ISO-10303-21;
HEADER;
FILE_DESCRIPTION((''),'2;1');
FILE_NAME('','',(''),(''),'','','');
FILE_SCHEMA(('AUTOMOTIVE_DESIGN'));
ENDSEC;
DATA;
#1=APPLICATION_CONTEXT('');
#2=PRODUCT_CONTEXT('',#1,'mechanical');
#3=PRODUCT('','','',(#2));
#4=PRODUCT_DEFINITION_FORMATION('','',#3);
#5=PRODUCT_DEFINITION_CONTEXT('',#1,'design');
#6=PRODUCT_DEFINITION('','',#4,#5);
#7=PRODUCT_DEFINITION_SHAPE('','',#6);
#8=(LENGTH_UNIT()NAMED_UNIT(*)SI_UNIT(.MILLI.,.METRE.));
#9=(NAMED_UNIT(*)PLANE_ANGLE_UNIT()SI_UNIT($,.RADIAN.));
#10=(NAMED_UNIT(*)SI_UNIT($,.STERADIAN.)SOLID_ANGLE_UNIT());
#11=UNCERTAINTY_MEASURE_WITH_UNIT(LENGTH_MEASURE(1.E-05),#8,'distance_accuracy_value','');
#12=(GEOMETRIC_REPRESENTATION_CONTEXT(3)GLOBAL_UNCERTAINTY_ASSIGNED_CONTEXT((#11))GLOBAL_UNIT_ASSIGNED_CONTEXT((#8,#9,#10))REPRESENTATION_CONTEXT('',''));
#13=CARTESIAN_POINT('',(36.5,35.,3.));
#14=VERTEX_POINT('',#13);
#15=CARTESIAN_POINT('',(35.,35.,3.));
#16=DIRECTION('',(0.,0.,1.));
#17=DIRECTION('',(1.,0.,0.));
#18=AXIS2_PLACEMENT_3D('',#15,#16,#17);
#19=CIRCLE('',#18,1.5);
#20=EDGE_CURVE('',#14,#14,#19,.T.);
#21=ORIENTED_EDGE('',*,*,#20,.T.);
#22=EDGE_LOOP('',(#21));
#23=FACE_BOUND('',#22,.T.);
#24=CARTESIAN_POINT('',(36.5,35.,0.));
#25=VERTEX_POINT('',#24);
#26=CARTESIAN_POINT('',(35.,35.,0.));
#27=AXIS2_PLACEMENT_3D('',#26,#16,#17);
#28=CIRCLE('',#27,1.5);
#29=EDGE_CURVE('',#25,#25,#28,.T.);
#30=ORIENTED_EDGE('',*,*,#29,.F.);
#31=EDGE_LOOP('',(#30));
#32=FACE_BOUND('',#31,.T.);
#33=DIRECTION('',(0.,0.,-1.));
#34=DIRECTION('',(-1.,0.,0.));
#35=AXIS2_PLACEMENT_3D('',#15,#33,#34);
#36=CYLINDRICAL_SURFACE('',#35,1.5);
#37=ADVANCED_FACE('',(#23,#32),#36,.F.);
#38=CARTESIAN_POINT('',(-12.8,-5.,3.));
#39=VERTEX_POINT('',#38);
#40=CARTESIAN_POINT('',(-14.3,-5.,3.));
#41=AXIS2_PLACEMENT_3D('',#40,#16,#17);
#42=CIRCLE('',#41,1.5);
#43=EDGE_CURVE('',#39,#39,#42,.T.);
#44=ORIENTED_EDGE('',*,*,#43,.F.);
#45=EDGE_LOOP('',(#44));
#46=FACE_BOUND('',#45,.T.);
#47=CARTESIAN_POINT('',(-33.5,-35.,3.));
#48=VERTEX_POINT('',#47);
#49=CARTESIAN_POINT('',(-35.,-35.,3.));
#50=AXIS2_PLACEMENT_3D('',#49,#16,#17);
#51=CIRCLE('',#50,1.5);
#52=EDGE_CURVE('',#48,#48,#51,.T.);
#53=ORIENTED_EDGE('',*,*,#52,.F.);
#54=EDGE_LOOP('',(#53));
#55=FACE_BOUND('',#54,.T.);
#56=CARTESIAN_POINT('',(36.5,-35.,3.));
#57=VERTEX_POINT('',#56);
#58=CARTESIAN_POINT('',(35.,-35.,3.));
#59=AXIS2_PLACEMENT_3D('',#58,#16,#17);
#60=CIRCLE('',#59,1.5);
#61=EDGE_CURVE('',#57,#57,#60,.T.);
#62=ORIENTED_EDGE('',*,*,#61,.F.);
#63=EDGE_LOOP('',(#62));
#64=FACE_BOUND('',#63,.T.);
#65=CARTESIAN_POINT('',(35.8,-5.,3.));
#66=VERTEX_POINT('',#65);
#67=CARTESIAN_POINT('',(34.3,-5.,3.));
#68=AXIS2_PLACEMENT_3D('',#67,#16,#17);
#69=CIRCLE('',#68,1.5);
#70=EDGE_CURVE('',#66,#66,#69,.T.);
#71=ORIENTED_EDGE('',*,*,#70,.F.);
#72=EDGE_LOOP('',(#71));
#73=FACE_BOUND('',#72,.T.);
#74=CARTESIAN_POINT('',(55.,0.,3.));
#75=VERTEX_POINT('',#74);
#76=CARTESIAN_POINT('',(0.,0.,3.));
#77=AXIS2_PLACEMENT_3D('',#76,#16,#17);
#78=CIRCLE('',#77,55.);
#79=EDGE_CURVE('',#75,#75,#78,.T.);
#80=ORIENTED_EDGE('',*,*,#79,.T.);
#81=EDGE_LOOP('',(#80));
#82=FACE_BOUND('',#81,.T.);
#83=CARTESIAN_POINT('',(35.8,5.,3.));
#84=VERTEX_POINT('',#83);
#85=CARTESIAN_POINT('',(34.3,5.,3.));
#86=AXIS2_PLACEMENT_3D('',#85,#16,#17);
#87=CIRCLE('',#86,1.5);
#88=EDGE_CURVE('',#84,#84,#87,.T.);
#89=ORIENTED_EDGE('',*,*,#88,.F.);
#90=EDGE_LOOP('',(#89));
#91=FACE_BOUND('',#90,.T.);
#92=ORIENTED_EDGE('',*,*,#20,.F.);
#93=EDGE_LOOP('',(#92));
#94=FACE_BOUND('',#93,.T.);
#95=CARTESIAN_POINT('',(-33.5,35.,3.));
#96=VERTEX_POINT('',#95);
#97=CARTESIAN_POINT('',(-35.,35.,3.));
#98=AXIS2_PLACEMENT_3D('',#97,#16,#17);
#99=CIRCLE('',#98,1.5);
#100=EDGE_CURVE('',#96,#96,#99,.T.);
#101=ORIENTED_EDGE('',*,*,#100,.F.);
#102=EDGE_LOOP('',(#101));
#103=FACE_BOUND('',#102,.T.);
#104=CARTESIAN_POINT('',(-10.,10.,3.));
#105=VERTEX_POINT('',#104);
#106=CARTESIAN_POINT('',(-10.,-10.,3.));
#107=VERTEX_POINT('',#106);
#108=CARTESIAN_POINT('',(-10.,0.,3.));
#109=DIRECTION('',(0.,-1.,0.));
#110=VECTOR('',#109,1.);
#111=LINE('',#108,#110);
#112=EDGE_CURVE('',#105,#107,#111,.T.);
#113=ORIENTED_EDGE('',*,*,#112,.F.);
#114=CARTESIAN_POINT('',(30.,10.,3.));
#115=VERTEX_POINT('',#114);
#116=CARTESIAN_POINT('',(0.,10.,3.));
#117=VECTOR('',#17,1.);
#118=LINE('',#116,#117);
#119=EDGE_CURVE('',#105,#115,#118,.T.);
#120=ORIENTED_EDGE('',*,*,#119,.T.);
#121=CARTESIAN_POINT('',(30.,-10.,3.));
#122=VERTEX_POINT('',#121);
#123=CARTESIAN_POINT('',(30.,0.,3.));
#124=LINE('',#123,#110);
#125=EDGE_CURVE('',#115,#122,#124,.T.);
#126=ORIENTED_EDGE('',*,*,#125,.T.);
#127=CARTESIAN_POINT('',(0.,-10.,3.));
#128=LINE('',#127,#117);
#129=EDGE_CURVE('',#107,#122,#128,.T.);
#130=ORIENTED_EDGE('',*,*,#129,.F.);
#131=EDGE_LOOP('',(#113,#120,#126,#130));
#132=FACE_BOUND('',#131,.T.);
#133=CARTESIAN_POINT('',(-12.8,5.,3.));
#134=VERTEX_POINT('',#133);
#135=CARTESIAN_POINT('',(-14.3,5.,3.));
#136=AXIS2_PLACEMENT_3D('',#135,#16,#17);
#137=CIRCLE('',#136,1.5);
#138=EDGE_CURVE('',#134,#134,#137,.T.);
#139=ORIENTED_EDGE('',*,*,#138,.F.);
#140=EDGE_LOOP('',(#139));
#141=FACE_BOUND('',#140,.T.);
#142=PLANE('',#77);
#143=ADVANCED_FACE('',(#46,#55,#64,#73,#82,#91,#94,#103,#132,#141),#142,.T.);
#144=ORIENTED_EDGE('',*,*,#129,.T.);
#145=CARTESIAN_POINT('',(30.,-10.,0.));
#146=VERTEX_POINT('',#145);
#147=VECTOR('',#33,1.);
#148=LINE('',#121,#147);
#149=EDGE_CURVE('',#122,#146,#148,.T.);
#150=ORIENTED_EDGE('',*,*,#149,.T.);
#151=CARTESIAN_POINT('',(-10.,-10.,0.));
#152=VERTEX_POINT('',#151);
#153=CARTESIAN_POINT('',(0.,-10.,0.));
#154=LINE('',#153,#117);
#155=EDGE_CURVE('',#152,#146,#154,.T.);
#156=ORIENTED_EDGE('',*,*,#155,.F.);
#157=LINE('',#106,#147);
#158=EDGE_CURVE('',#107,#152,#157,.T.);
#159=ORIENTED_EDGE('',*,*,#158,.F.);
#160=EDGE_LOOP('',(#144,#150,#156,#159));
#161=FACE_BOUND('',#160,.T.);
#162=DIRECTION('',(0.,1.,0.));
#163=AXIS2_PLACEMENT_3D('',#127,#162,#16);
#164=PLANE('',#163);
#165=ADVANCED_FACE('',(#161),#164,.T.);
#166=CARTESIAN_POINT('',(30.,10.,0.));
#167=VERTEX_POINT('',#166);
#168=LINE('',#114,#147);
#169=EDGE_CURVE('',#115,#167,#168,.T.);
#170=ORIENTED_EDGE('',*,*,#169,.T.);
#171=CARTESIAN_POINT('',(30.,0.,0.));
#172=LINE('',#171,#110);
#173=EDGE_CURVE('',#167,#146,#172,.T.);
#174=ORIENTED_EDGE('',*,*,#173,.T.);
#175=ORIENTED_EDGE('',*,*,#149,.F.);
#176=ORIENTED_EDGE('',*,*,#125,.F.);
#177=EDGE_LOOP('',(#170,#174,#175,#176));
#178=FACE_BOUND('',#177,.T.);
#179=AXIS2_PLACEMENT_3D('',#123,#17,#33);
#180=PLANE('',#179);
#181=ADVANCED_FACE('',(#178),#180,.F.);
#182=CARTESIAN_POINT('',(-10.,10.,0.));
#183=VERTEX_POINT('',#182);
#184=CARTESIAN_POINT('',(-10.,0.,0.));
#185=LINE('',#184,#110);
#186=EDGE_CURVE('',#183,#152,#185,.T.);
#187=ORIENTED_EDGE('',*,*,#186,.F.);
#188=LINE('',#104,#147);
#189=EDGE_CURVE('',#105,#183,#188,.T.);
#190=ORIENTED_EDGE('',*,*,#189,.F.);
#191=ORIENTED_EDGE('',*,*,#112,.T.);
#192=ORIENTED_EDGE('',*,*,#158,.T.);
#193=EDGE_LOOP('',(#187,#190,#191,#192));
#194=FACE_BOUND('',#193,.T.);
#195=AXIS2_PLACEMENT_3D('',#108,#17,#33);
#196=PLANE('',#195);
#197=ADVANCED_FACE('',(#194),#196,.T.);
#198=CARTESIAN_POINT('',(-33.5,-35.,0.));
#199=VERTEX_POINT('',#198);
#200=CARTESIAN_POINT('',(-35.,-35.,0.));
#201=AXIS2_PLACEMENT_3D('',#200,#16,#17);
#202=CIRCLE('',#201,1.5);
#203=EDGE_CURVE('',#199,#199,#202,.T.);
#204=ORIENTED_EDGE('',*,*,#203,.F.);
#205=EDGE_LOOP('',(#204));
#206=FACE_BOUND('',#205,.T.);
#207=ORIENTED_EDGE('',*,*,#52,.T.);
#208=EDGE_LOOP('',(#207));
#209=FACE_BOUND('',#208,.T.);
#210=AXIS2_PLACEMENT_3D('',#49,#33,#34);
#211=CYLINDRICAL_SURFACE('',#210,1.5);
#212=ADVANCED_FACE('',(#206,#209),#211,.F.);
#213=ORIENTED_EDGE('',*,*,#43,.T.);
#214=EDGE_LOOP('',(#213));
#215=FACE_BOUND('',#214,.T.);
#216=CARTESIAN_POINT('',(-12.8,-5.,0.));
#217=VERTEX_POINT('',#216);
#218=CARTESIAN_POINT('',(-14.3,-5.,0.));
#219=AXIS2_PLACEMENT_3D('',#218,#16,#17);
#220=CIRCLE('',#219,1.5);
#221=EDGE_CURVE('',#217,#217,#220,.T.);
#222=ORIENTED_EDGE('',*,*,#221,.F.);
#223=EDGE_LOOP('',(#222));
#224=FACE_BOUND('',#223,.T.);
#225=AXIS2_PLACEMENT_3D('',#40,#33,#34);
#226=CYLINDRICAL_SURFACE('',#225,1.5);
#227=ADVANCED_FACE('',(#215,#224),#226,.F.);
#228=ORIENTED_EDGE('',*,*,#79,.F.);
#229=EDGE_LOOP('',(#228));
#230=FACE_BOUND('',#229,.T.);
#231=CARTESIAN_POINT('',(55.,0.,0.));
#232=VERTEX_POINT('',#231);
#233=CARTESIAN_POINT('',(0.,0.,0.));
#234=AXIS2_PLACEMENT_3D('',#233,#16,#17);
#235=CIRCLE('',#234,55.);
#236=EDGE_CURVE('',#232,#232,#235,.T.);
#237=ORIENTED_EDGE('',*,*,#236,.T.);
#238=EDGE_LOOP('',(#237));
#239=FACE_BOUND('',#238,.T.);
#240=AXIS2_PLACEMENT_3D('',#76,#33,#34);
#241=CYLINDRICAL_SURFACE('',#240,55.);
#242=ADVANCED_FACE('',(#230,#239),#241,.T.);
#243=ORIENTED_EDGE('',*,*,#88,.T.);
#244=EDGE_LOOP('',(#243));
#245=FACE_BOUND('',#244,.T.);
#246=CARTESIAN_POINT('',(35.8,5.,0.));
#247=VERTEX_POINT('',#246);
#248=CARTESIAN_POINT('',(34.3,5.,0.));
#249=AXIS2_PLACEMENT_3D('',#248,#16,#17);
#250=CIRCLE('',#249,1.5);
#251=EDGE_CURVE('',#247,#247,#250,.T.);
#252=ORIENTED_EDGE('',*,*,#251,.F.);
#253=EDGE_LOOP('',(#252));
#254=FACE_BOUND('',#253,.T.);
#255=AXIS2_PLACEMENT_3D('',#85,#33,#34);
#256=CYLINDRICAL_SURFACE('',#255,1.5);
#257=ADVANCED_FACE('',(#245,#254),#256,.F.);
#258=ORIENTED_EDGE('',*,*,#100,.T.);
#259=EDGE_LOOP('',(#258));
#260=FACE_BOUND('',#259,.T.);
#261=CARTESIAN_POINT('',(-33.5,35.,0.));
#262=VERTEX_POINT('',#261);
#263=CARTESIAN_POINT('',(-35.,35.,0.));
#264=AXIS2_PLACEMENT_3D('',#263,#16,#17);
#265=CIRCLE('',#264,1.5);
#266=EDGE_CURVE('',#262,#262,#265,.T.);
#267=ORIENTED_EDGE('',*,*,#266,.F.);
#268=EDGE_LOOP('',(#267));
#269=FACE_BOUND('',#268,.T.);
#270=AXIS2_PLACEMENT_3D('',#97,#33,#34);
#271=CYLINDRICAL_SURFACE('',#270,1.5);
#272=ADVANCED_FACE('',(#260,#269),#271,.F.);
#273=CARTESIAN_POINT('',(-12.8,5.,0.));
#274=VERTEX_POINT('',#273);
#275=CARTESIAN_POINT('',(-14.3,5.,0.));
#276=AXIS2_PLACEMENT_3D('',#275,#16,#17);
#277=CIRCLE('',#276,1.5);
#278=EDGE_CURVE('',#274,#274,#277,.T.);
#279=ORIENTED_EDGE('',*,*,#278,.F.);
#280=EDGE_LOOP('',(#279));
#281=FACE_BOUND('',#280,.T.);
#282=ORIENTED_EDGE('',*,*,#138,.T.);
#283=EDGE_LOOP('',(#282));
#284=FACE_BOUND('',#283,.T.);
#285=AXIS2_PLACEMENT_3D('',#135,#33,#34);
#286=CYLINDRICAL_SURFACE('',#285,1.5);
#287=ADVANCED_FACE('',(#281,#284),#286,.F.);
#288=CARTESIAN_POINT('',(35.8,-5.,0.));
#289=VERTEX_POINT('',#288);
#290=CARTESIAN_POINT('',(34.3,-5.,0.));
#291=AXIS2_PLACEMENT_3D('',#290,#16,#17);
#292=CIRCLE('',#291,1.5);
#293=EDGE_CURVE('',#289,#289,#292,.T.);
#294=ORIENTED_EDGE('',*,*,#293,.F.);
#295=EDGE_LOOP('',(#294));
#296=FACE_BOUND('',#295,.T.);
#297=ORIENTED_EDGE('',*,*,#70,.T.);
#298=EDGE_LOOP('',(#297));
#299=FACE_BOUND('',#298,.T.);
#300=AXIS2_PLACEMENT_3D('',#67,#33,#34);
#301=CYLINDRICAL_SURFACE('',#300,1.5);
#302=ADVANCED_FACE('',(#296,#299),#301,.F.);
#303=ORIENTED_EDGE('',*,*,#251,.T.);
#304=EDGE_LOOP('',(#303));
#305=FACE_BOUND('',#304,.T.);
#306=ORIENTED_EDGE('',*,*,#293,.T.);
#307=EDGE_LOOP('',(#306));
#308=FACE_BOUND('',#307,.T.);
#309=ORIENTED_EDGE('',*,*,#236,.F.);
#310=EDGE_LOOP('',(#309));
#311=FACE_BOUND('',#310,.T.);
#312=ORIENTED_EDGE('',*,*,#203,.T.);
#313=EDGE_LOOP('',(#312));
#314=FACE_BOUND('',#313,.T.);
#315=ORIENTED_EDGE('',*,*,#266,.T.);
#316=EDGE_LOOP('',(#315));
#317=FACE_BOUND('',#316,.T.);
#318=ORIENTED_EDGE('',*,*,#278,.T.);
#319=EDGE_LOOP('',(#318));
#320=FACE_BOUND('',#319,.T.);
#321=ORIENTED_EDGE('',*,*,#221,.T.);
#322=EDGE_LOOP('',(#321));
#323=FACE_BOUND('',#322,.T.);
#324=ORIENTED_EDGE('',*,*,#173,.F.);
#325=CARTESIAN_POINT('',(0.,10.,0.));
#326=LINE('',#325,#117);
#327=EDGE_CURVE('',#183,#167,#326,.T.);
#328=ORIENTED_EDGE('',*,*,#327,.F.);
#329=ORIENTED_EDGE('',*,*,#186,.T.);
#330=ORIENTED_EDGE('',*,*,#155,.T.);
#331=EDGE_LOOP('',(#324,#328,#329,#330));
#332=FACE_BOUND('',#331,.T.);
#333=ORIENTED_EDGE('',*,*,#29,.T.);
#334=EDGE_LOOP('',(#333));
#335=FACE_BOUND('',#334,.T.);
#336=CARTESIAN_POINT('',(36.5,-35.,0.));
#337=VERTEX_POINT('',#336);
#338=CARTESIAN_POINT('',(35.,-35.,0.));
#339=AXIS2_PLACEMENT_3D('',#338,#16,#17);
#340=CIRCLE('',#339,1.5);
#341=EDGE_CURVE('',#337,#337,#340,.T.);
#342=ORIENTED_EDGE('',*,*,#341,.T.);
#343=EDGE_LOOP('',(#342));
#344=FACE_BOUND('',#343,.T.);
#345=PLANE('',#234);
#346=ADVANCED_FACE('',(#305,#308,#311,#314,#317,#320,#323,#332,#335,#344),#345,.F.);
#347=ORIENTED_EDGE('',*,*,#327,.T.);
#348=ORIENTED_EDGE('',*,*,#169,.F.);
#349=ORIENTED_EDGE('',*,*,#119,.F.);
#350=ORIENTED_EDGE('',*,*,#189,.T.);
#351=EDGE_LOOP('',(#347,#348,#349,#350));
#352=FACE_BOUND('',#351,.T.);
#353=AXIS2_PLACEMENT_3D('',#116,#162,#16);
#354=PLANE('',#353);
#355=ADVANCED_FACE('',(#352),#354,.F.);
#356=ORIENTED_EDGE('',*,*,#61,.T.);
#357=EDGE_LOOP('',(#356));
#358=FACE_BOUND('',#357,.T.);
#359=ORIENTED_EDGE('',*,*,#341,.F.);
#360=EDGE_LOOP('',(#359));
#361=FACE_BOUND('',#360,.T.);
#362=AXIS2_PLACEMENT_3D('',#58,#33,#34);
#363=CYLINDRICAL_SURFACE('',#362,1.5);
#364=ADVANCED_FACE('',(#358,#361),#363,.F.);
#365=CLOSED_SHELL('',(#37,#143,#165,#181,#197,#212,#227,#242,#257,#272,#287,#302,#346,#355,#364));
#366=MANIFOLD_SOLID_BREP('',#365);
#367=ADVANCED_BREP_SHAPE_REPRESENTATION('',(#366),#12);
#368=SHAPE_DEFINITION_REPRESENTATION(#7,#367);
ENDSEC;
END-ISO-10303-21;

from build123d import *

# Parameters (mm, degrees)
SKETCH_1_R      = 55
SKETCH_1_R_2    = 1.5
SKETCH_1_W      = 40
SKETCH_1_H      = 20
EXTRUDE_2_DEPTH = 3


with BuildPart() as part:
    # 草图1 → 凸台-拉伸2 (new body)
    with BuildSketch(Plane.XY):
        Circle(SKETCH_1_R)
        with Locations((-35, 35)):
            Circle(SKETCH_1_R_2, mode=Mode.SUBTRACT)
        with Locations((35, 35)):
            Circle(SKETCH_1_R_2, mode=Mode.SUBTRACT)
        with Locations((35, -35)):
            Circle(SKETCH_1_R_2, mode=Mode.SUBTRACT)
        with Locations((-35, -35)):
            Circle(SKETCH_1_R_2, mode=Mode.SUBTRACT)
        with Locations((-14.3, 5)):
            Circle(SKETCH_1_R_2, mode=Mode.SUBTRACT)
        with Locations((-14.3, -5)):
            Circle(SKETCH_1_R_2, mode=Mode.SUBTRACT)
        with Locations((34.3, 5)):
            Circle(SKETCH_1_R_2, mode=Mode.SUBTRACT)
        with Locations((34.3, -5)):
            Circle(SKETCH_1_R_2, mode=Mode.SUBTRACT)
        with Locations((10, 0)):
            Rectangle(SKETCH_1_W, SKETCH_1_H, mode=Mode.SUBTRACT)
    extrude(amount=EXTRUDE_2_DEPTH)


solid = part.part
